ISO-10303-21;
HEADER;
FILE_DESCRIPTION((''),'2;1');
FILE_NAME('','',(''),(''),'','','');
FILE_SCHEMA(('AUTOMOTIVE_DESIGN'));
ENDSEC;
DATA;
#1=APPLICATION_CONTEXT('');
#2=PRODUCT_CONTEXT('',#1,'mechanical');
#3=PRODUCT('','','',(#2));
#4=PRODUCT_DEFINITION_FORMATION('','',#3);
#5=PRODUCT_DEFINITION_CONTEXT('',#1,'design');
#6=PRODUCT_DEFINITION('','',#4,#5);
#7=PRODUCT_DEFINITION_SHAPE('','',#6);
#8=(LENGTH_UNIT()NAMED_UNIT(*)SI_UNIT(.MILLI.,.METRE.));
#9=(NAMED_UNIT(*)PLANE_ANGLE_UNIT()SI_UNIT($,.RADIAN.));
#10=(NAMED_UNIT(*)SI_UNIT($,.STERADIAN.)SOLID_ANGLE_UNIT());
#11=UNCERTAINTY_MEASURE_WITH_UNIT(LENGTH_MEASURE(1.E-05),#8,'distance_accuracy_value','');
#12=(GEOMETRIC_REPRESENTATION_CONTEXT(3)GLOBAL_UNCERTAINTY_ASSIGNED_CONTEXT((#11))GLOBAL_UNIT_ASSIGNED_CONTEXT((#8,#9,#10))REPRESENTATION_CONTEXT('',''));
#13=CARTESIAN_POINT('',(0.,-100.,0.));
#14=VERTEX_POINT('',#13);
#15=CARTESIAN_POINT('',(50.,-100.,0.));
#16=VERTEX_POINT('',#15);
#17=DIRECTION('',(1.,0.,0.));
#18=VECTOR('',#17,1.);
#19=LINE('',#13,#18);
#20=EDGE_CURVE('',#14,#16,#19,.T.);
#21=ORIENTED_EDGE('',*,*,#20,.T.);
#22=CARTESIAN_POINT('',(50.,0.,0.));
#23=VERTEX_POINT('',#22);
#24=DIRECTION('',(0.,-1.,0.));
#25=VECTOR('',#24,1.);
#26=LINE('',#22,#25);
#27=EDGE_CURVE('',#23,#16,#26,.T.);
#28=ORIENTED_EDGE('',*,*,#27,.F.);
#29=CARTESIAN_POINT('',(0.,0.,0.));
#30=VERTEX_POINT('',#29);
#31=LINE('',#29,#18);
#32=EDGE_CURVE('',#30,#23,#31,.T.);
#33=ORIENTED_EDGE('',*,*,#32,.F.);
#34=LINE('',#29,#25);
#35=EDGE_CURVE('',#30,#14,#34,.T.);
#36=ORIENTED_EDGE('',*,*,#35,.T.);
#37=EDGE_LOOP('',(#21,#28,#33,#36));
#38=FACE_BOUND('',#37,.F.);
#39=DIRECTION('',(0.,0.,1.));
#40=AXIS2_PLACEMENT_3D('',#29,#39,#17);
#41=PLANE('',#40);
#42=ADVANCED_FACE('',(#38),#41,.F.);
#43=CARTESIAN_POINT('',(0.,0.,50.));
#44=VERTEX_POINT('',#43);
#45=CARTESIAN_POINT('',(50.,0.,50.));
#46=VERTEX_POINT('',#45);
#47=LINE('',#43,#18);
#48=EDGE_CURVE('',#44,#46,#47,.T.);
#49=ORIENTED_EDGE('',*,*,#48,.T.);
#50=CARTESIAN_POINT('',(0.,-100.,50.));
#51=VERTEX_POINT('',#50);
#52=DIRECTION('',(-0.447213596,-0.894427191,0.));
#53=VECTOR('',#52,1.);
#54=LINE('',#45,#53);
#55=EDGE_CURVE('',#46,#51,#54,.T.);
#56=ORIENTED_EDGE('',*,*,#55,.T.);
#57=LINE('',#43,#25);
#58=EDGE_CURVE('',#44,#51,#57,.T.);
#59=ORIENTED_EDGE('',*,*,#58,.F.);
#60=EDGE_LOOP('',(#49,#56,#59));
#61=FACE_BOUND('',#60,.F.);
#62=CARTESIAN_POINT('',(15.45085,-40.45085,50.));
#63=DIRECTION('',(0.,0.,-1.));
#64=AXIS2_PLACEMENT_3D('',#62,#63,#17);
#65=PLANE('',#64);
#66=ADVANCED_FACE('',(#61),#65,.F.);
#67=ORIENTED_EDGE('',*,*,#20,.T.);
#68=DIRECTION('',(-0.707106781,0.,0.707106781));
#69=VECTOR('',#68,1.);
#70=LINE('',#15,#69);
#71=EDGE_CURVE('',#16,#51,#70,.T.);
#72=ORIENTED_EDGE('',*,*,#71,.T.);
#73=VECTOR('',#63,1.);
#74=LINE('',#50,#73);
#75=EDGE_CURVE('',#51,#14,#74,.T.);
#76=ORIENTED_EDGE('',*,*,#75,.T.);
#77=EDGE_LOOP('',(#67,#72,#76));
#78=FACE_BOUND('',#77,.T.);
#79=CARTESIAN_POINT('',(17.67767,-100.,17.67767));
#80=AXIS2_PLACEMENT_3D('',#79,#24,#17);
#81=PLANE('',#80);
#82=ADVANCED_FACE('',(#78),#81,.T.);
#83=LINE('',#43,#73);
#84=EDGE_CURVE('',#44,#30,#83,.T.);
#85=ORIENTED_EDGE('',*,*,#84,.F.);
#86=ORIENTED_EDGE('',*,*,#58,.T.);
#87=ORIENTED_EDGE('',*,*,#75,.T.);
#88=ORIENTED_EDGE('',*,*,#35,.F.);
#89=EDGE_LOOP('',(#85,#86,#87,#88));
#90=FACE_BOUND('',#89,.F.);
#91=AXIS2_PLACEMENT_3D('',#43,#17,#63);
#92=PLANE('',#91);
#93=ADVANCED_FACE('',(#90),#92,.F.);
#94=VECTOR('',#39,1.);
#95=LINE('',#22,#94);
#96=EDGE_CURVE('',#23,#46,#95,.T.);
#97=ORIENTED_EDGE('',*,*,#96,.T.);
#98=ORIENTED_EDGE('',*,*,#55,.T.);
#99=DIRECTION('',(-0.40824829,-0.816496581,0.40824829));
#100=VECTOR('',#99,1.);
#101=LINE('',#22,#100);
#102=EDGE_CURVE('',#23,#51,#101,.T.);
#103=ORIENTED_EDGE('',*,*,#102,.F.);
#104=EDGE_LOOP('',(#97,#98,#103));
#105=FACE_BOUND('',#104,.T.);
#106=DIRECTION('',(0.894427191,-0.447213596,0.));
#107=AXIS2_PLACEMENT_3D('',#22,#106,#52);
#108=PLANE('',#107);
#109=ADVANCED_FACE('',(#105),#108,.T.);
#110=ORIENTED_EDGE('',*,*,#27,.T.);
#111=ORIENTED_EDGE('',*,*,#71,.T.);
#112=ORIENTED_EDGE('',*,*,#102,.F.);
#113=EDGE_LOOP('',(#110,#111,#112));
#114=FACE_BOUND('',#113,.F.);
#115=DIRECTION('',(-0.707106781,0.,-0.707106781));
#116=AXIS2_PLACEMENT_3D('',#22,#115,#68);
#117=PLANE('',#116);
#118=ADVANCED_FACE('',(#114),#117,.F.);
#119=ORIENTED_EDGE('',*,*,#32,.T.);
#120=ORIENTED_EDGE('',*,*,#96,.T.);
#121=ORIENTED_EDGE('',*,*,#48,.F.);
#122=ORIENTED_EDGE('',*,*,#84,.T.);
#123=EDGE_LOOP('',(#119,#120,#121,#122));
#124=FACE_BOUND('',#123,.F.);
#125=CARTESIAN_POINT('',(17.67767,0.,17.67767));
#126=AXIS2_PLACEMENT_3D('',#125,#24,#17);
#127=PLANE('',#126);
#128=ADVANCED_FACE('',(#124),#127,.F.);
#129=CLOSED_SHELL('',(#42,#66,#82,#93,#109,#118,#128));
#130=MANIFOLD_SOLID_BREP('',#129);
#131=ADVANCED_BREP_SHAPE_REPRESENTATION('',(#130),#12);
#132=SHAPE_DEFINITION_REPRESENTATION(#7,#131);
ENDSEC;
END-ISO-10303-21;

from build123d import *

# Parameters (mm, degrees)
F1_DEPTH = 100
F3_DEPTH = 50


with BuildPart() as f1:
    # F0 (on Front) → F1 (new body)
    with BuildSketch(Plane.XZ):
        Polygon((0, 50), (0, 0), (50, 0), align=None)
    extrude(amount=F1_DEPTH)

    # F2 (on face) → F3 (join, through all)
    with BuildSketch(Plane(origin=(0, 0, 0), x_dir=(1, 0, 0), z_dir=(0, 0, -1))):
        Polygon((0, 100), (0, 0), (50, 0), align=None)
    extrude(amount=-F3_DEPTH)


solid = f1.part
